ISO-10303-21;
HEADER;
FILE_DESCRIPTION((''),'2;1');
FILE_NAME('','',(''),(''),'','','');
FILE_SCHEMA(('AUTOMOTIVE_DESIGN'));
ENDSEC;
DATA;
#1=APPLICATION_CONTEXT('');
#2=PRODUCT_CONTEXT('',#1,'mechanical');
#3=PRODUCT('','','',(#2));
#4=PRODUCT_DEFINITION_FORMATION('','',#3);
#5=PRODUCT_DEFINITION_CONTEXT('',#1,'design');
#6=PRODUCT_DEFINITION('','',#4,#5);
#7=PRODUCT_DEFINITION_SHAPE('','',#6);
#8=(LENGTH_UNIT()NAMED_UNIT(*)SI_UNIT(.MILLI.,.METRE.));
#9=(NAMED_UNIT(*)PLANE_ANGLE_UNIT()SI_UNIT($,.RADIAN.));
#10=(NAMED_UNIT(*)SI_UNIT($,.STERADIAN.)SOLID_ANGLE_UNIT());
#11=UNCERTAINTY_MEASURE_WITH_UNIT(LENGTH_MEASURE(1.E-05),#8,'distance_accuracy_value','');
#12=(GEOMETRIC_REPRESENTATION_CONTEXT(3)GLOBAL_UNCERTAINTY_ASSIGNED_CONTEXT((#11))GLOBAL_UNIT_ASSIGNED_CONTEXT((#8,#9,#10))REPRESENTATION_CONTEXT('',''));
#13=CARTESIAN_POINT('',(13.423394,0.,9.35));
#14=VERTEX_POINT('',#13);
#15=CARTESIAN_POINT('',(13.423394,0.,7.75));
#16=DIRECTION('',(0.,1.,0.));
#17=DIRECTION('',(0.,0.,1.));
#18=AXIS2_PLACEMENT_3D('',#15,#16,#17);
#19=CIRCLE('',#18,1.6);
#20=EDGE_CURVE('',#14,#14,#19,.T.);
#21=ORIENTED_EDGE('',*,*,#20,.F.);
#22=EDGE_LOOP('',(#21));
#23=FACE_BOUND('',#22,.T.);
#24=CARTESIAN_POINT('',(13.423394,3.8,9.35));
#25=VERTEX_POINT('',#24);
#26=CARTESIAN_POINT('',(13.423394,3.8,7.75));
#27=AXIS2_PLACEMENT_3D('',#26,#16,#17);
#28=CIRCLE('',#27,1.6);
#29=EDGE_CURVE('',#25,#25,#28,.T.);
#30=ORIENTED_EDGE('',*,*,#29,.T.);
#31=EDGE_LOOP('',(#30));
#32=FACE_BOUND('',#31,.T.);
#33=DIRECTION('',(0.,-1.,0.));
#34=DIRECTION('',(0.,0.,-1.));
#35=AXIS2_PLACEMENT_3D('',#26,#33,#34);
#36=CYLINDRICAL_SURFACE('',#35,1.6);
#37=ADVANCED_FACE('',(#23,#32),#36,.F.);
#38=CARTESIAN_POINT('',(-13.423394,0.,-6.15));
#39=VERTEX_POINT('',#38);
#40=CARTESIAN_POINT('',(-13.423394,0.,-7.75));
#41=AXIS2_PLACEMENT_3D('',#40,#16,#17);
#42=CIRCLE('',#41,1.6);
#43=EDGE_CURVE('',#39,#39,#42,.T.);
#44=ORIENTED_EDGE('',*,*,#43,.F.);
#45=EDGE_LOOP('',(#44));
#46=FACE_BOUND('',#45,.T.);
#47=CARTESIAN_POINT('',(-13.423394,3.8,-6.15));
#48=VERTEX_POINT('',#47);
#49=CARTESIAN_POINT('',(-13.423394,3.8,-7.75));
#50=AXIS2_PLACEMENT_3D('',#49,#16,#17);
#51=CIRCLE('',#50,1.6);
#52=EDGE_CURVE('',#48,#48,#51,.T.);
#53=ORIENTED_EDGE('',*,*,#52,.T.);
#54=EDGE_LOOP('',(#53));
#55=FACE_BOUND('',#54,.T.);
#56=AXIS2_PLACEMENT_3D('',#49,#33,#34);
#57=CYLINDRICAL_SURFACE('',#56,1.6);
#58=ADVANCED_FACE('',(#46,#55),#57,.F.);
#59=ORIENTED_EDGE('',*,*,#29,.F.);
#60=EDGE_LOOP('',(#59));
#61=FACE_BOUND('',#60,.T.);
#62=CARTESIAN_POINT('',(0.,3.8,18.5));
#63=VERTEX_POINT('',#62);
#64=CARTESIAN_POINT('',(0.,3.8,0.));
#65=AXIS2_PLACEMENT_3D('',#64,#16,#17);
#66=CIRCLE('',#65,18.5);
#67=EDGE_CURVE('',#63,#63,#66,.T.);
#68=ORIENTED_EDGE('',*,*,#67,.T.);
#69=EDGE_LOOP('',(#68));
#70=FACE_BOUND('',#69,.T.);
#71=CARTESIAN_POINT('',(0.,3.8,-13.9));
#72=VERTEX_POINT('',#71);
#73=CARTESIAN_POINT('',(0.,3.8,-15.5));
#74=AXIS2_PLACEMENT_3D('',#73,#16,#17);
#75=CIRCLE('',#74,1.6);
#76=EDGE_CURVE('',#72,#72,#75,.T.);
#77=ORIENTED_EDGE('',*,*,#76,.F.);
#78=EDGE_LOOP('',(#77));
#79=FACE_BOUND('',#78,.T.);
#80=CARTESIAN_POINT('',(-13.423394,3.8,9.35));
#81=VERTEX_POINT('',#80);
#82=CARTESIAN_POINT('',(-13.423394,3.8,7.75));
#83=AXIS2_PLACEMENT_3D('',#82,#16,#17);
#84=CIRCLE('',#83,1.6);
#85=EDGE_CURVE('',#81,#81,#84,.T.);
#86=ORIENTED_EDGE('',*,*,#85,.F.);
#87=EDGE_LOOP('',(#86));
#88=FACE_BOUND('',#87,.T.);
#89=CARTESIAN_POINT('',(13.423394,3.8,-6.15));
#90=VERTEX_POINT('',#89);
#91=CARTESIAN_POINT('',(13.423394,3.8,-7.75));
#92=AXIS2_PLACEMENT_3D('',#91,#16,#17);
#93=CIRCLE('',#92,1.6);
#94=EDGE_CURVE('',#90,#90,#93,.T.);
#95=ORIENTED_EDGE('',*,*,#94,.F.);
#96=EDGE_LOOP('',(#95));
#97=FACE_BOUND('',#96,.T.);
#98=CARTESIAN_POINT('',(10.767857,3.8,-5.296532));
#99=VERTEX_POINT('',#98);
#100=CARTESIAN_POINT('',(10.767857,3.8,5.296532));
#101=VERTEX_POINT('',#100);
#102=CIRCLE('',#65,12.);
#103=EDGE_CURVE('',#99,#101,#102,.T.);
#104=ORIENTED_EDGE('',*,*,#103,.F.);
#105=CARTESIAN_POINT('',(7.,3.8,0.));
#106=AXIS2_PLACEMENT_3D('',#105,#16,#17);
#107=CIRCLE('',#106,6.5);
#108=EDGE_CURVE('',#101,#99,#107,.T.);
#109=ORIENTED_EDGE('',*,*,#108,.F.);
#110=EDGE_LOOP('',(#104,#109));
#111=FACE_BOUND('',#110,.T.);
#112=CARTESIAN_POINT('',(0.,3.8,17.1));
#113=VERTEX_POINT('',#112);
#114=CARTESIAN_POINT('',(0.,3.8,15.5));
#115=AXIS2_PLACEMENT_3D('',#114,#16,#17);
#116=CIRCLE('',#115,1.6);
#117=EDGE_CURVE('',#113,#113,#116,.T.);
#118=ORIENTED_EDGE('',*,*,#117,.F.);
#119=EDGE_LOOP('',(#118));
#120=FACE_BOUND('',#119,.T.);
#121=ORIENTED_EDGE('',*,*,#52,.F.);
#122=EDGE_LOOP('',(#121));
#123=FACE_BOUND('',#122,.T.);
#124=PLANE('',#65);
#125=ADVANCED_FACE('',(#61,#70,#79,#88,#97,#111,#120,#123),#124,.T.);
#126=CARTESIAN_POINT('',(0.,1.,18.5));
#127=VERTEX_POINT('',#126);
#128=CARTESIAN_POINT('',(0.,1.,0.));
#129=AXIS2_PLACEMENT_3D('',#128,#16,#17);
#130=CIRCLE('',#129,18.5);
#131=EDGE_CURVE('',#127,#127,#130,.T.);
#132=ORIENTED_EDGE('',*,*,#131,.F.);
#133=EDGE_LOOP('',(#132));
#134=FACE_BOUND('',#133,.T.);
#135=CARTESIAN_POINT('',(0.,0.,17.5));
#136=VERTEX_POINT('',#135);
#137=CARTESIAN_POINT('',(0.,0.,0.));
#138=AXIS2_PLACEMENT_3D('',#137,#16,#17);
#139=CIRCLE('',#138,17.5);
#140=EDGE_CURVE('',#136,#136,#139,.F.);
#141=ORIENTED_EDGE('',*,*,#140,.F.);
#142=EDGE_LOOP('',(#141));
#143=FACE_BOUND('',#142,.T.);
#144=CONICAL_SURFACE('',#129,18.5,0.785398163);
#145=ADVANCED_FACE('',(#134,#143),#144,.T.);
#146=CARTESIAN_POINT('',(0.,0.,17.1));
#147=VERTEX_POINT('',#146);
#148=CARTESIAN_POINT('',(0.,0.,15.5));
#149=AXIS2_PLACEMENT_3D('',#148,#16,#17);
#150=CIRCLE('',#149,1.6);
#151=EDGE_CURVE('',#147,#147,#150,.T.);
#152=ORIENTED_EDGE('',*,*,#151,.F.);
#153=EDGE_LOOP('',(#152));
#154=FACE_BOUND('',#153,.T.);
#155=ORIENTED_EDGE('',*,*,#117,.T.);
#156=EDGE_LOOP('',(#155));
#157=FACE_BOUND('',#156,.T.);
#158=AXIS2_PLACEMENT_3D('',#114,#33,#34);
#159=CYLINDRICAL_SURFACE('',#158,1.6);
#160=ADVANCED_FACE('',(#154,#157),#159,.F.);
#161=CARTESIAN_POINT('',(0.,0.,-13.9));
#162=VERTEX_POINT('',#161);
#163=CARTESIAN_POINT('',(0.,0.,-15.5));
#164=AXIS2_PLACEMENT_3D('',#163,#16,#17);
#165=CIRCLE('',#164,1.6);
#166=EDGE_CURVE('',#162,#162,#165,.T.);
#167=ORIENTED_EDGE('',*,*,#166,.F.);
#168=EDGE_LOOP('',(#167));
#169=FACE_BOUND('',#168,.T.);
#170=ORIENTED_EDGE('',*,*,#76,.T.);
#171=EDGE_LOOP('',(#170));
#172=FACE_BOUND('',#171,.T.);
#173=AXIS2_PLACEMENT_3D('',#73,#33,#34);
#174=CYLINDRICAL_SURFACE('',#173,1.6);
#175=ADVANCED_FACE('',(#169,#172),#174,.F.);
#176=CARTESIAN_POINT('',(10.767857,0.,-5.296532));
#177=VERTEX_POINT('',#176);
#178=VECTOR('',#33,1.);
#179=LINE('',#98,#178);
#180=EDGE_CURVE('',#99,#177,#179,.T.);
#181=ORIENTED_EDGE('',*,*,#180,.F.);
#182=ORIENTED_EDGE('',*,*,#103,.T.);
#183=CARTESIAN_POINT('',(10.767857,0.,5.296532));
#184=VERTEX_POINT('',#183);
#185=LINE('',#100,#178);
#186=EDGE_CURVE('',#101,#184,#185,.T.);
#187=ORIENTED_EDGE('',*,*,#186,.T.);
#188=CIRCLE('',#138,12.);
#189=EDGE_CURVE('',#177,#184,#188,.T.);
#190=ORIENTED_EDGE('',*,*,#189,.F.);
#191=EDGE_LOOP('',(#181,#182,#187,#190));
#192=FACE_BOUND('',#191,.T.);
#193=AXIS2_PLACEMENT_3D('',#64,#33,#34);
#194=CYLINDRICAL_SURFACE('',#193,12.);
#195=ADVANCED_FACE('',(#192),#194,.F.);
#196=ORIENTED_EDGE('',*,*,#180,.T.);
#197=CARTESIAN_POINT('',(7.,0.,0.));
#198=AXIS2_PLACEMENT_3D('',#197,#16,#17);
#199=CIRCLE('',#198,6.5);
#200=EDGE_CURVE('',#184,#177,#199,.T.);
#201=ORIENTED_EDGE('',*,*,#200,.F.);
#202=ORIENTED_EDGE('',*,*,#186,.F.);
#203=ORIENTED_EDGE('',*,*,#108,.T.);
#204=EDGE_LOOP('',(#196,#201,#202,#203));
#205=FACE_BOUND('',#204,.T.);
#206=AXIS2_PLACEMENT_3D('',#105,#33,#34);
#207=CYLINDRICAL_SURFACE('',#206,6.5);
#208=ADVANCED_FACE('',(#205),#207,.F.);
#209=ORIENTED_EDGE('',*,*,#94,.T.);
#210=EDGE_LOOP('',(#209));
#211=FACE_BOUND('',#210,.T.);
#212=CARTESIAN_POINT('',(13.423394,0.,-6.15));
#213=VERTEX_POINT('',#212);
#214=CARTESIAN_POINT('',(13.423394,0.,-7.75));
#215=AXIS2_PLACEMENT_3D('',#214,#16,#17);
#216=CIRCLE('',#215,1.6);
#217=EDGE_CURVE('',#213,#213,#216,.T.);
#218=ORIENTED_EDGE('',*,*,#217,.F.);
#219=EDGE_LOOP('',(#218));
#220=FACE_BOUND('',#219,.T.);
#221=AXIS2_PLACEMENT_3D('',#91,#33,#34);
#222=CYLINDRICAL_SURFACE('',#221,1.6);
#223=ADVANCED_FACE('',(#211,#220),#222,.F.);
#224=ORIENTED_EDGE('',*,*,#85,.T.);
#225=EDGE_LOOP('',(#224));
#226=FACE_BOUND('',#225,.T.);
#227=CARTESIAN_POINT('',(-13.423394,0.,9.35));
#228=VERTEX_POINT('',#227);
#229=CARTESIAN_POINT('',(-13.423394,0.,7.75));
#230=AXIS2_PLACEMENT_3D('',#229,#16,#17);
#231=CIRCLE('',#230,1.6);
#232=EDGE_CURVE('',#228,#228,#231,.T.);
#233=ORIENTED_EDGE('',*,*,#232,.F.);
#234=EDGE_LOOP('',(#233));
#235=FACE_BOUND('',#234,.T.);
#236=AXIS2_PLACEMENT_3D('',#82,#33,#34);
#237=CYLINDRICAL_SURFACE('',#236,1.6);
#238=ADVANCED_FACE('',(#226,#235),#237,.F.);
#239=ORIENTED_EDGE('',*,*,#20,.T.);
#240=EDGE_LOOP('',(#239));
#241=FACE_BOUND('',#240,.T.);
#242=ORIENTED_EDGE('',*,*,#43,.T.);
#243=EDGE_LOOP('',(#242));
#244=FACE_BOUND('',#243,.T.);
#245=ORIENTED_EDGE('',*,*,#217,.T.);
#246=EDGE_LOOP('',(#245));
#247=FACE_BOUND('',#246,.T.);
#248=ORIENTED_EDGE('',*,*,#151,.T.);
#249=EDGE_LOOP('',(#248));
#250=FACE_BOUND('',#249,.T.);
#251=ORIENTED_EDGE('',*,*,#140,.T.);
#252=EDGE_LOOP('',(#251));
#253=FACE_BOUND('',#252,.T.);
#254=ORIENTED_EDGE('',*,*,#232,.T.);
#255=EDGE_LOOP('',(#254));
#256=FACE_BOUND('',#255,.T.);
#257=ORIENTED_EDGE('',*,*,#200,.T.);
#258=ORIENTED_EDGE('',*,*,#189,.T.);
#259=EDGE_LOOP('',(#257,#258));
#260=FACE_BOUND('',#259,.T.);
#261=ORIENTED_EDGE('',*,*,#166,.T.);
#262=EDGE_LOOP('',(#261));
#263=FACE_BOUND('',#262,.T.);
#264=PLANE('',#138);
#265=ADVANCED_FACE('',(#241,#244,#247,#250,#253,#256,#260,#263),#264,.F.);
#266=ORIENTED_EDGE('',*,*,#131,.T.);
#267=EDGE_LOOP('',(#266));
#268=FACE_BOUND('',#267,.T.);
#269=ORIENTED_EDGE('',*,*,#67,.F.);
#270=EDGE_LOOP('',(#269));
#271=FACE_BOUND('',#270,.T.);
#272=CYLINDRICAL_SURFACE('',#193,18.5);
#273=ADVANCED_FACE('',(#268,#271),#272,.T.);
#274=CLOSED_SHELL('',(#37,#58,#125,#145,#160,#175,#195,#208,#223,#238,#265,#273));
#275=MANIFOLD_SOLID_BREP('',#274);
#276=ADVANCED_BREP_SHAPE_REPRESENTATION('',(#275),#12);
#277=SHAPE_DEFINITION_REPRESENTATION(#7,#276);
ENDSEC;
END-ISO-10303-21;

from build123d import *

# Parameters (mm, degrees)
SKETCH_1_R      = 18.5
SKETCH_1_R_2    = 1.6
EXTRUDE_1_DEPTH = 3.8
CHAMFER_1_SIZE  = 1


with BuildPart() as part:
    # Эскиз1 → Бобышка-Вытянуть1 (new body)
    with BuildSketch(Plane(origin=(0, 0, 0), x_dir=(1, 0, 0), z_dir=(0, 1, 0))):
        Circle(SKETCH_1_R)
        with Locations((-13.423393759, -7.75)):
            Circle(SKETCH_1_R_2, mode=Mode.SUBTRACT)
        with Locations((0, -15.5)):
            Circle(SKETCH_1_R_2, mode=Mode.SUBTRACT)
        with Locations((-13.423393759, 7.75)):
            Circle(SKETCH_1_R_2, mode=Mode.SUBTRACT)
        with Locations((0, 15.5)):
            Circle(SKETCH_1_R_2, mode=Mode.SUBTRACT)
        with Locations((13.423393759, 7.75)):
            Circle(SKETCH_1_R_2, mode=Mode.SUBTRACT)
        with Locations((13.423393759, -7.75)):
            Circle(SKETCH_1_R_2, mode=Mode.SUBTRACT)
        with BuildLine():
            ThreePointArc((10.767857143, -5.296532125), (13.5, 0), (10.767857143, 5.296532125))
            ThreePointArc((10.767857143, 5.296532125), (-12, 0), (10.767857143, -5.296532125))
        make_face(mode=Mode.SUBTRACT)
    extrude(amount=EXTRUDE_1_DEPTH)

    # Фаска1
    chamfer_1_edges = [part.edges().sort_by_distance(p)[0] for p in [
        (-18.5, 0, 0),
    ]]
    chamfer(chamfer_1_edges, length=CHAMFER_1_SIZE)


solid = part.part
